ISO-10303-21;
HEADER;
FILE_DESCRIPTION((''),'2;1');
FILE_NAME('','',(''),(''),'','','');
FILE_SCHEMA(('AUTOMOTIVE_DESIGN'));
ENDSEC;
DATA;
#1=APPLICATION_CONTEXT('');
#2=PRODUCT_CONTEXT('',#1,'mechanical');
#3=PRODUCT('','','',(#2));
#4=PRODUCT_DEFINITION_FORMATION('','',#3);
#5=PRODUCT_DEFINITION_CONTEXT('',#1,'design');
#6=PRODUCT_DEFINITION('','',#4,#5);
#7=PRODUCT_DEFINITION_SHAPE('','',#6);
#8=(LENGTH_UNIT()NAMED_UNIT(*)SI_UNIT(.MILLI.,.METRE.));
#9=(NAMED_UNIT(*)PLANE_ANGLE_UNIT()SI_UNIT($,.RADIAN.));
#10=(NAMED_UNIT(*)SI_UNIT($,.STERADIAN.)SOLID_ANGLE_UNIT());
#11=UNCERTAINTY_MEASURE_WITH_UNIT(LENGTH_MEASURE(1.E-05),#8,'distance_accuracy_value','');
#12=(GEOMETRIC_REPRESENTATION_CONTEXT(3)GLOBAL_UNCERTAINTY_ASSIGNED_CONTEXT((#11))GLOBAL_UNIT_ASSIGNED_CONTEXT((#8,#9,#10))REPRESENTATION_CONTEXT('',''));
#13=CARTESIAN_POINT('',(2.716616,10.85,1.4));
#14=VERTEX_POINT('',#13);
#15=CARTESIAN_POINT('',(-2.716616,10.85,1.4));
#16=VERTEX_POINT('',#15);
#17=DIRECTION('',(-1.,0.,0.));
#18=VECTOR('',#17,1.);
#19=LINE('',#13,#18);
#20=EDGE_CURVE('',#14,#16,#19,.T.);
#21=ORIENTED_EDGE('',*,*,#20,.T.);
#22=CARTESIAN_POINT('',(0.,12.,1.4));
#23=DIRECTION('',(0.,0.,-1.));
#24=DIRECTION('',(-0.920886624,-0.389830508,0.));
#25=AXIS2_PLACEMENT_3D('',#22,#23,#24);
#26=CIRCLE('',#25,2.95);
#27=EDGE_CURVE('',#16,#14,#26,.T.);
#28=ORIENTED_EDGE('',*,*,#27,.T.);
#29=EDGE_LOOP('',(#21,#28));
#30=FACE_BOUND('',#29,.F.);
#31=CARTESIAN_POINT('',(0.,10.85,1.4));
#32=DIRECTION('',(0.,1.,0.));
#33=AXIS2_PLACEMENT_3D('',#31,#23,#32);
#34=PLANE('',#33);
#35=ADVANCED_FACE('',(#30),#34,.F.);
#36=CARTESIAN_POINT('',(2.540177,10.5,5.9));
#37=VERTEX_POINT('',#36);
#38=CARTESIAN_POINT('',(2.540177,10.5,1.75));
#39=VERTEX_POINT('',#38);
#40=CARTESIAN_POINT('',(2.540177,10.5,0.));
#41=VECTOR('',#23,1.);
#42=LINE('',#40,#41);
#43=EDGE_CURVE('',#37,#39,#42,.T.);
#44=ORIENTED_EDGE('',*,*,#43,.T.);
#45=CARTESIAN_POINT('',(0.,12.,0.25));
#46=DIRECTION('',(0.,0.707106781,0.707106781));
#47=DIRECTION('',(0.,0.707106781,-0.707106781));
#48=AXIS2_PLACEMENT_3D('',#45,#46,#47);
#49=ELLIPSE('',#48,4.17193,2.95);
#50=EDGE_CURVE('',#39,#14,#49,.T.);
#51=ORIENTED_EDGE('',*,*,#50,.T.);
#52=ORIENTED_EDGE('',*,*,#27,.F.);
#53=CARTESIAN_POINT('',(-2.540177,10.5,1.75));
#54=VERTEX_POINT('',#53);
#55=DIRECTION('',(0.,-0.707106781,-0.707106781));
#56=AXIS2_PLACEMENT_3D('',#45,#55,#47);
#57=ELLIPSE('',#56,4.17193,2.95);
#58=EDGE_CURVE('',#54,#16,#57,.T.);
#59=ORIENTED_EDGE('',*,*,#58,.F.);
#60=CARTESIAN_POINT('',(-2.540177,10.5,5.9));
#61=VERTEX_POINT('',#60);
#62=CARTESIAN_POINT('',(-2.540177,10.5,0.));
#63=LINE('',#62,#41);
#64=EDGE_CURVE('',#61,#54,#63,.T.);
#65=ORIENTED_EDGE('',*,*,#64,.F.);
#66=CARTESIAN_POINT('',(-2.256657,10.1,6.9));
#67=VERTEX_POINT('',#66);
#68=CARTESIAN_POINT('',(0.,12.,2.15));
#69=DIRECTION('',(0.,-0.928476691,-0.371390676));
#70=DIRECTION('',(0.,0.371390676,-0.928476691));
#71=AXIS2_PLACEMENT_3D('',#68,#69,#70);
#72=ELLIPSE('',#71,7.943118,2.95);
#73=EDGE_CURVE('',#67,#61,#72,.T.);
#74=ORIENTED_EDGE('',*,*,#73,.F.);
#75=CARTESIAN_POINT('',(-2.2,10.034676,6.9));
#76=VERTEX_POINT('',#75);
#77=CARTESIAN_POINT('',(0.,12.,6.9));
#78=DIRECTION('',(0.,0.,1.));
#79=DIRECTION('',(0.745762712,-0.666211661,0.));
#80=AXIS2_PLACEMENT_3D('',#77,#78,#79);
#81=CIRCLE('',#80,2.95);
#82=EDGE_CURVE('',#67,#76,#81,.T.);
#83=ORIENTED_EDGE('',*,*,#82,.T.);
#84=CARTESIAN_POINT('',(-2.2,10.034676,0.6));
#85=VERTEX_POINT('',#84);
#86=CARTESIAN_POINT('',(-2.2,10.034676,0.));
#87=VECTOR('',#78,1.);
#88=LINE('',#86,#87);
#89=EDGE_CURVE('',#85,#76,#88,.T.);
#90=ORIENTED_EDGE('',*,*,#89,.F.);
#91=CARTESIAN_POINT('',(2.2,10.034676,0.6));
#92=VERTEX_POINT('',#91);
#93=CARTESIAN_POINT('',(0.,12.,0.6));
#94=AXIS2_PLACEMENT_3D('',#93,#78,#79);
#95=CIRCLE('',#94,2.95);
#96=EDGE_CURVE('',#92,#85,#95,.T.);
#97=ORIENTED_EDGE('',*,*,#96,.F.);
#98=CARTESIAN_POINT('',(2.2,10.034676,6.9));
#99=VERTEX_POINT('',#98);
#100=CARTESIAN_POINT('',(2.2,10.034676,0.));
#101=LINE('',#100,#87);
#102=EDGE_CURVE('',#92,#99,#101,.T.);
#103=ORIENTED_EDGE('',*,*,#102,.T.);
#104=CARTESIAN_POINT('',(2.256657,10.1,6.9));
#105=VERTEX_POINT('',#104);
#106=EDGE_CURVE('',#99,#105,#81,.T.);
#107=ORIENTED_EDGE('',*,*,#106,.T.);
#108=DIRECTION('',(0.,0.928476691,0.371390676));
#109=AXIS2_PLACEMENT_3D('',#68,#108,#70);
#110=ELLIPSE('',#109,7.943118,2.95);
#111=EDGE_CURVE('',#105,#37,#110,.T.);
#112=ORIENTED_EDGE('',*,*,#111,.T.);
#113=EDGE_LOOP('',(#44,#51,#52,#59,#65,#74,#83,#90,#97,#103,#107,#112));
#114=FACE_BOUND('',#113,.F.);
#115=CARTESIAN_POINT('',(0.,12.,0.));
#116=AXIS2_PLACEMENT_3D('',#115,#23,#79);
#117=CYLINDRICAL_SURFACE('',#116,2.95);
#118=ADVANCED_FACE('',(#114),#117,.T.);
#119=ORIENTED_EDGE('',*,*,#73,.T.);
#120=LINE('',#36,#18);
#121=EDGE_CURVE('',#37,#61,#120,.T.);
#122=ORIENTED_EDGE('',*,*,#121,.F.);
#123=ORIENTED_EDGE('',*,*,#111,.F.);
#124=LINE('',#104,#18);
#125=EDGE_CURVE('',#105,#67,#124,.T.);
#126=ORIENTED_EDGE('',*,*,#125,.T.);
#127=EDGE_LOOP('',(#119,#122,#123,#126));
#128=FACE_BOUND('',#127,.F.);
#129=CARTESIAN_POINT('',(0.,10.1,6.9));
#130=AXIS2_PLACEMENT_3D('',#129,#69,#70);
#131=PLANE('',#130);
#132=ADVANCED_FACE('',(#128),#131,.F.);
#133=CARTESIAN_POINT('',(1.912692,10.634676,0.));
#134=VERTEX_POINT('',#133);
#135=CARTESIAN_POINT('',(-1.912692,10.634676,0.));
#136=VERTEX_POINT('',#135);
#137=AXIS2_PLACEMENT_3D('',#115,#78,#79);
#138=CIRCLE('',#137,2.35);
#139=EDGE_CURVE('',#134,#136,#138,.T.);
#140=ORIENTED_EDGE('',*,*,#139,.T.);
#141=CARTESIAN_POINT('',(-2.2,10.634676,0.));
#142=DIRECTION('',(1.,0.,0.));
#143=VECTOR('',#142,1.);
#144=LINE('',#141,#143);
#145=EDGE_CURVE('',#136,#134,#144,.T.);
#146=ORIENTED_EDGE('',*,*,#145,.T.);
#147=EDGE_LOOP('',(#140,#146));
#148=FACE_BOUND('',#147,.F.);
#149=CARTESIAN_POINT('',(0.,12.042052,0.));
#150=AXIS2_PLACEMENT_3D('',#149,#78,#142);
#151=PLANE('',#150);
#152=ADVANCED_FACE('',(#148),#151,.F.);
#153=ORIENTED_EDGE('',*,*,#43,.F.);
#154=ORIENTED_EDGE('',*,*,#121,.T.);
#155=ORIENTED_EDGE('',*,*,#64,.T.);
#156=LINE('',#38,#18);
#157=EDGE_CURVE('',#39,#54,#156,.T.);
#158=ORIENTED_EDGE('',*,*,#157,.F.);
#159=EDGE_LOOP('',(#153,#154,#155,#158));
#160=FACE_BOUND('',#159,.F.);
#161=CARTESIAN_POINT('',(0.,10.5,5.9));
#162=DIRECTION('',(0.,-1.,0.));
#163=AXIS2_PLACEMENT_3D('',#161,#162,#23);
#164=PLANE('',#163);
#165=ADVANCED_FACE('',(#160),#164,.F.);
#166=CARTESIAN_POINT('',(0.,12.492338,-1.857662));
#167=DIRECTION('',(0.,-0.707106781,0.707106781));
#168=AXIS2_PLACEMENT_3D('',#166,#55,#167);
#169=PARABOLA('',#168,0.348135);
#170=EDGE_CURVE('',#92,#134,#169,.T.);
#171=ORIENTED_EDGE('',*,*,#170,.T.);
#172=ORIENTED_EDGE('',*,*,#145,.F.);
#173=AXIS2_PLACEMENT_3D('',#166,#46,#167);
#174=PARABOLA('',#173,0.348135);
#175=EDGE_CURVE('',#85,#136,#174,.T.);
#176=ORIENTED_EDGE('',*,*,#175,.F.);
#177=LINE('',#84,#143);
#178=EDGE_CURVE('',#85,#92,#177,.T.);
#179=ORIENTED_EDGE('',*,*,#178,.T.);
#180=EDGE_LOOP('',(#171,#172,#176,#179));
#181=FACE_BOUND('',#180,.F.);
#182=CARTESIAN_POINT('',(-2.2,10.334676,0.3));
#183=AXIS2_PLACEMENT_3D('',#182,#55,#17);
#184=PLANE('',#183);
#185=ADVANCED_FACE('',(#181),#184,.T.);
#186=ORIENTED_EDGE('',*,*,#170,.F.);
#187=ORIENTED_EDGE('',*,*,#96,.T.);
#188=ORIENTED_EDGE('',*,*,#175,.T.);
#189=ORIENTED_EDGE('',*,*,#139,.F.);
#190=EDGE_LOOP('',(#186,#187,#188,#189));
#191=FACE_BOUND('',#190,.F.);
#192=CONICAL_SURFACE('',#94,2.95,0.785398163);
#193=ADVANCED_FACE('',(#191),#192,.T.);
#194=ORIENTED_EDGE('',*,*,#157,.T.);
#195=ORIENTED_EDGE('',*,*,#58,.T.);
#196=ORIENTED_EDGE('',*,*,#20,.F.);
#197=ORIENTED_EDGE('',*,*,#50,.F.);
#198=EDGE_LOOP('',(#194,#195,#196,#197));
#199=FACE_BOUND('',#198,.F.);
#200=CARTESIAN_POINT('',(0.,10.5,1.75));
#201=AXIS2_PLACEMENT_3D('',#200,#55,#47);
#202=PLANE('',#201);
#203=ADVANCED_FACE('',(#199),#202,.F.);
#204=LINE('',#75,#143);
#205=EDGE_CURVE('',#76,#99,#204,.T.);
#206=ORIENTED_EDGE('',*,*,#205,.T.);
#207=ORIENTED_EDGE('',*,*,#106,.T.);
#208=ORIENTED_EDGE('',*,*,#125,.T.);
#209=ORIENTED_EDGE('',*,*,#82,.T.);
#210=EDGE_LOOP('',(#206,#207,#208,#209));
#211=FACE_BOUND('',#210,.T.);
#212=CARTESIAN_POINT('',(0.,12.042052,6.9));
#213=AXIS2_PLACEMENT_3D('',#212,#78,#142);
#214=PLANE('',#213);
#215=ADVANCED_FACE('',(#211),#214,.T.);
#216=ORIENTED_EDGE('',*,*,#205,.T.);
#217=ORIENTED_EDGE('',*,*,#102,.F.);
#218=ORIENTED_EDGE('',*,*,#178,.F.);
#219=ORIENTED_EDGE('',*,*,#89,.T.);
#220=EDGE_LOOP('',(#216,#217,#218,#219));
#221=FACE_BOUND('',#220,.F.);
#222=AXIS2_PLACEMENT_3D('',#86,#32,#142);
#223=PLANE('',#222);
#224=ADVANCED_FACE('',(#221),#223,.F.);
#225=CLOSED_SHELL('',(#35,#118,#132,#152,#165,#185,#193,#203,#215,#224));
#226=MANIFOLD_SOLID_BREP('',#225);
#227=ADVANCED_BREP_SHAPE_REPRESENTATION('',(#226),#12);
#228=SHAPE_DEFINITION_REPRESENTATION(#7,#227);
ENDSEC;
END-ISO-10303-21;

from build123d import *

# Parameters (mm, degrees)
PAD007_DEPTH         = 6.9
POCKET005_DEPTH      = 2.951
POCKET005_DEPTH_BACK = 2.951
CHAMFER008_SIZE      = 0.6


with BuildPart() as part:
    # Sketch018 → Pad007 (new body)
    with BuildSketch(Plane.XY):
        with BuildLine():
            ThreePointArc((2.2, -1.9653244007), (0, 2.95), (-2.2, -1.9653244007))
            Line((-2.2, -1.9653244007), (2.2, -1.9653244007))
        make_face()
    extrude(amount=PAD007_DEPTH)

    # Sketch019 → Pocket005 (cut, two sides)
    with BuildSketch(Plane.YZ) as pocket005_sk:
        Polygon((-1.9, 6.9), (-1.5, 5.9), (-1.5, 1.75), (-1.15, 1.4), (5, 1.4), (5, 6.9), align=None)
    extrude(amount=-POCKET005_DEPTH, mode=Mode.SUBTRACT)
    extrude(pocket005_sk.sketch, amount=POCKET005_DEPTH_BACK, mode=Mode.SUBTRACT)

    # Chamfer008
    chamfer008_edges = [part.edges().sort_by_distance(p)[0] for p in [
        (0, 2.95, 0),
        (0, -1.965324, 0),
    ]]
    chamfer(chamfer008_edges, length=CHAMFER008_SIZE)


with BuildPart() as part_1:
    # Body052 placement: moved
    add(part.part.moved(Location((0, 12, 0))))


solid = part_1.part
